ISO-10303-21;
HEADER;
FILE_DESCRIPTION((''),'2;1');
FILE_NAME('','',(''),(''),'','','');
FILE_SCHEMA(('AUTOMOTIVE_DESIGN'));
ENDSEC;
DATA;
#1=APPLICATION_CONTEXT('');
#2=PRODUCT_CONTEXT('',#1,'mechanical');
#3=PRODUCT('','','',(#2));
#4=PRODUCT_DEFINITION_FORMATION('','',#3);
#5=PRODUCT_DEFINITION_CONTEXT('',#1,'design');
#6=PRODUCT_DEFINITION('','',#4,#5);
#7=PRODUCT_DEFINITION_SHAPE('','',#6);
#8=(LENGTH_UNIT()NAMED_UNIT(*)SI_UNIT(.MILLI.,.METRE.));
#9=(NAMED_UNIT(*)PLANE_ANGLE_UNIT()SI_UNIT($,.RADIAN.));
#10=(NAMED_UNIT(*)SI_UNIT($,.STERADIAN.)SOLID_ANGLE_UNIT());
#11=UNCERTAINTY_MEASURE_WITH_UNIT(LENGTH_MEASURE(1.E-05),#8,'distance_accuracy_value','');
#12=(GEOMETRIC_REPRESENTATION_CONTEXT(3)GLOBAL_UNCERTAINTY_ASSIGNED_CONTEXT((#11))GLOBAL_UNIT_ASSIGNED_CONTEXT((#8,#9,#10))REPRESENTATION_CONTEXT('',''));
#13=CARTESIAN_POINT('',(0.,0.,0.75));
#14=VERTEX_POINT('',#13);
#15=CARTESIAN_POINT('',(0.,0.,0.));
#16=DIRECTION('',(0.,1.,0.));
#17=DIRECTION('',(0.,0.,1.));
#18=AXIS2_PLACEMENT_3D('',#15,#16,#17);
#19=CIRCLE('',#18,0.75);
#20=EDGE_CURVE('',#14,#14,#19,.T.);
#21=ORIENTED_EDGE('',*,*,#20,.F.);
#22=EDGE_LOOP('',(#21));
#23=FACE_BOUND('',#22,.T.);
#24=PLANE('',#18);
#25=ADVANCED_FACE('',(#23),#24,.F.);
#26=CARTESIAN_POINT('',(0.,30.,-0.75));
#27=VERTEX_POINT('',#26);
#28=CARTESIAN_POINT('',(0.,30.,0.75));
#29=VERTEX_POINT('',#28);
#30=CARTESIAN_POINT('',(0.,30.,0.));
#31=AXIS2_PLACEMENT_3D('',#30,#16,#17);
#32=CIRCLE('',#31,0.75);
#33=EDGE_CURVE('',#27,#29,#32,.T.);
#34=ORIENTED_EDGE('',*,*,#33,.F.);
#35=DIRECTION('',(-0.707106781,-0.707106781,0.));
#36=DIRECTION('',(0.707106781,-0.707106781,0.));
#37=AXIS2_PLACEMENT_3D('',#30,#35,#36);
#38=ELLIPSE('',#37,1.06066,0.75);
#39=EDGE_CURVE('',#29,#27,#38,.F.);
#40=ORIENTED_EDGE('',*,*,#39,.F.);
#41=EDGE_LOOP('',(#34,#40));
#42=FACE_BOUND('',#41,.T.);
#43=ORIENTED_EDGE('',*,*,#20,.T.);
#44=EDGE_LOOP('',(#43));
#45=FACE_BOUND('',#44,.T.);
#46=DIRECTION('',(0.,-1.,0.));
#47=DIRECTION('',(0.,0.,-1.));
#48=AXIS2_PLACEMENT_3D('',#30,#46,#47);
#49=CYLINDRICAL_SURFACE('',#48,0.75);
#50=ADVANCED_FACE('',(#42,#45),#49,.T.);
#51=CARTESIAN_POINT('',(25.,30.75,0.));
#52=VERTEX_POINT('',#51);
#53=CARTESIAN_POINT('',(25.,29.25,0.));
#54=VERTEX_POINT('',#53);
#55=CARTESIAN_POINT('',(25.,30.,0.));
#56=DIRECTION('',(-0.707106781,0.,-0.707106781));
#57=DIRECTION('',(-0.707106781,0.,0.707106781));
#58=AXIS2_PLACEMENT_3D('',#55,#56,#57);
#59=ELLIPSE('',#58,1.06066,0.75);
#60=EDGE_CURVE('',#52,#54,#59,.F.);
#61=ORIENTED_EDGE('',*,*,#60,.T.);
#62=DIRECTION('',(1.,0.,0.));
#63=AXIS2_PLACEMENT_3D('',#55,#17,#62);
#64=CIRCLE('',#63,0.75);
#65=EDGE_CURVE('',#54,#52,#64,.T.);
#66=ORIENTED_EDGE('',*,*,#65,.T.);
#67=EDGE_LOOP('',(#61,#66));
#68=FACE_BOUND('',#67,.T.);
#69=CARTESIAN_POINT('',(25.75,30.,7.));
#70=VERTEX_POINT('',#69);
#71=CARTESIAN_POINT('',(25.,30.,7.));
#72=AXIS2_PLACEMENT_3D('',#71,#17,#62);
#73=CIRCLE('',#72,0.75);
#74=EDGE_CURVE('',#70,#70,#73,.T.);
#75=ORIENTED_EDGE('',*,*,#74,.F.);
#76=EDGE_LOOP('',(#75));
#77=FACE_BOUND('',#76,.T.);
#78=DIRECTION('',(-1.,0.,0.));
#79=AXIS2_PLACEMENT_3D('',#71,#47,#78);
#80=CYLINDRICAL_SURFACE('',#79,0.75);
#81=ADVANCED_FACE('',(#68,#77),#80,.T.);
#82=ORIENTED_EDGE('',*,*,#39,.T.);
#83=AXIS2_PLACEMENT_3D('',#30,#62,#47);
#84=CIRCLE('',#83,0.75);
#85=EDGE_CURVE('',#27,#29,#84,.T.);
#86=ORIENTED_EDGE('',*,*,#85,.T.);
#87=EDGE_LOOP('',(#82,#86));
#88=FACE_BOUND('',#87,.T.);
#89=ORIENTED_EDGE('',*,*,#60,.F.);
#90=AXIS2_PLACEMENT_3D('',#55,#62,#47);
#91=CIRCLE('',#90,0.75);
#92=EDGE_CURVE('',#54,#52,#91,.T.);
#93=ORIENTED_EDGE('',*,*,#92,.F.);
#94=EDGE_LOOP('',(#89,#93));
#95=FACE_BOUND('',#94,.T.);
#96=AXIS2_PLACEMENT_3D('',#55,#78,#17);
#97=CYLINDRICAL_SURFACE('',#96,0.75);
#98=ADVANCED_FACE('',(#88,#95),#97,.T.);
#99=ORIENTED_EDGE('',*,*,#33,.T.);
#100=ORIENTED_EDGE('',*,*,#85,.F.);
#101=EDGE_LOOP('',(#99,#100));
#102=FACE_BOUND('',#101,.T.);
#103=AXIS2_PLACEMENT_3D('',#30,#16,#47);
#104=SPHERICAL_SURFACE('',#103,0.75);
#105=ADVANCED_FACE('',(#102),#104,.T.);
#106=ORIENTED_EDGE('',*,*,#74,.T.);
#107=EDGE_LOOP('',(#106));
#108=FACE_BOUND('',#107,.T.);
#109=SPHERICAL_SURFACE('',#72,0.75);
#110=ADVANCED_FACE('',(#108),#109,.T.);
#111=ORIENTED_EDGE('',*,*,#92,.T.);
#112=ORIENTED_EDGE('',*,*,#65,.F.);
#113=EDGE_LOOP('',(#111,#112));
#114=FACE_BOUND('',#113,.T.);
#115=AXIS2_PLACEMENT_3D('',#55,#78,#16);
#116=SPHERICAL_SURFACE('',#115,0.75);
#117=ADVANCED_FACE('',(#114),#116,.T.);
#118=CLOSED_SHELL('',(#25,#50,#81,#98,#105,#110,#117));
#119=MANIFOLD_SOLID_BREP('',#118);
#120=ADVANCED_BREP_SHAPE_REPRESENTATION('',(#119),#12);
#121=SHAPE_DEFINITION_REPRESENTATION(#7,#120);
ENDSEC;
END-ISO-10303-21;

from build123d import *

# Parameters (mm, degrees)
SKETCH_1_R      = 0.75
EXTRUDE_1_DEPTH = 30
SKETCH_3_R      = 0.75
EXTRUDE_2_DEPTH = 25
SKETCH_5_R      = 0.75
EXTRUDE_3_DEPTH = 7


with BuildPart() as part:
    # 草图1 → 凸台-拉伸1 (new body)
    with BuildSketch(Plane(origin=(0, 0, 0), x_dir=(1, 0, 0), z_dir=(0, 1, 0))):
        with Locations(Location((0, 0, 0), (0, 0, 270))):
            Circle(SKETCH_1_R)
    extrude(amount=EXTRUDE_1_DEPTH)

    # 草图2 → 旋转1 (revolve)
    with BuildSketch(Plane(origin=(0, 0, 0), x_dir=(0, 0, -1), z_dir=(1, 0, 0))):
        with BuildLine():
            Line((0, 30.75), (0, 29.25))
            ThreePointArc((0, 29.25), (0.75, 30), (0, 30.75))
        make_face()
    revolve(axis=Axis((0, 30.75, 0), (0, -1, 0)))

    # 草图3 → 凸台-拉伸2 (add)
    with BuildSketch(Plane(origin=(0, 0, 0), x_dir=(0, 0, -1), z_dir=(1, 0, 0))):
        with Locations((0, 30)):
            Circle(SKETCH_3_R)
    extrude(amount=EXTRUDE_2_DEPTH)

    # 草图4 → 旋转2 (revolve)
    with BuildSketch(Plane.XY):
        with BuildLine():
            Line((24.25, 30), (25.75, 30))
            ThreePointArc((25.75, 30), (25, 30.75), (24.25, 30))
        make_face()
    revolve(axis=Axis((24.25, 30, 0), (1, 0, 0)))

    # 草图5 → 凸台-拉伸3 (add)
    with BuildSketch(Plane.XY):
        with Locations((25, 30)):
            Circle(SKETCH_5_R)
    extrude(amount=EXTRUDE_3_DEPTH)

    # 草图6 → 旋转3 (revolve)
    with BuildSketch(Plane.XY.offset(7)):
        with BuildLine():
            Line((25, 30.75), (25, 29.25))
            ThreePointArc((25, 29.25), (25.75, 30), (25, 30.75))
        make_face()
    revolve(axis=Axis((25, 30.75, 7), (0, -1, 0)))


solid = part.part
